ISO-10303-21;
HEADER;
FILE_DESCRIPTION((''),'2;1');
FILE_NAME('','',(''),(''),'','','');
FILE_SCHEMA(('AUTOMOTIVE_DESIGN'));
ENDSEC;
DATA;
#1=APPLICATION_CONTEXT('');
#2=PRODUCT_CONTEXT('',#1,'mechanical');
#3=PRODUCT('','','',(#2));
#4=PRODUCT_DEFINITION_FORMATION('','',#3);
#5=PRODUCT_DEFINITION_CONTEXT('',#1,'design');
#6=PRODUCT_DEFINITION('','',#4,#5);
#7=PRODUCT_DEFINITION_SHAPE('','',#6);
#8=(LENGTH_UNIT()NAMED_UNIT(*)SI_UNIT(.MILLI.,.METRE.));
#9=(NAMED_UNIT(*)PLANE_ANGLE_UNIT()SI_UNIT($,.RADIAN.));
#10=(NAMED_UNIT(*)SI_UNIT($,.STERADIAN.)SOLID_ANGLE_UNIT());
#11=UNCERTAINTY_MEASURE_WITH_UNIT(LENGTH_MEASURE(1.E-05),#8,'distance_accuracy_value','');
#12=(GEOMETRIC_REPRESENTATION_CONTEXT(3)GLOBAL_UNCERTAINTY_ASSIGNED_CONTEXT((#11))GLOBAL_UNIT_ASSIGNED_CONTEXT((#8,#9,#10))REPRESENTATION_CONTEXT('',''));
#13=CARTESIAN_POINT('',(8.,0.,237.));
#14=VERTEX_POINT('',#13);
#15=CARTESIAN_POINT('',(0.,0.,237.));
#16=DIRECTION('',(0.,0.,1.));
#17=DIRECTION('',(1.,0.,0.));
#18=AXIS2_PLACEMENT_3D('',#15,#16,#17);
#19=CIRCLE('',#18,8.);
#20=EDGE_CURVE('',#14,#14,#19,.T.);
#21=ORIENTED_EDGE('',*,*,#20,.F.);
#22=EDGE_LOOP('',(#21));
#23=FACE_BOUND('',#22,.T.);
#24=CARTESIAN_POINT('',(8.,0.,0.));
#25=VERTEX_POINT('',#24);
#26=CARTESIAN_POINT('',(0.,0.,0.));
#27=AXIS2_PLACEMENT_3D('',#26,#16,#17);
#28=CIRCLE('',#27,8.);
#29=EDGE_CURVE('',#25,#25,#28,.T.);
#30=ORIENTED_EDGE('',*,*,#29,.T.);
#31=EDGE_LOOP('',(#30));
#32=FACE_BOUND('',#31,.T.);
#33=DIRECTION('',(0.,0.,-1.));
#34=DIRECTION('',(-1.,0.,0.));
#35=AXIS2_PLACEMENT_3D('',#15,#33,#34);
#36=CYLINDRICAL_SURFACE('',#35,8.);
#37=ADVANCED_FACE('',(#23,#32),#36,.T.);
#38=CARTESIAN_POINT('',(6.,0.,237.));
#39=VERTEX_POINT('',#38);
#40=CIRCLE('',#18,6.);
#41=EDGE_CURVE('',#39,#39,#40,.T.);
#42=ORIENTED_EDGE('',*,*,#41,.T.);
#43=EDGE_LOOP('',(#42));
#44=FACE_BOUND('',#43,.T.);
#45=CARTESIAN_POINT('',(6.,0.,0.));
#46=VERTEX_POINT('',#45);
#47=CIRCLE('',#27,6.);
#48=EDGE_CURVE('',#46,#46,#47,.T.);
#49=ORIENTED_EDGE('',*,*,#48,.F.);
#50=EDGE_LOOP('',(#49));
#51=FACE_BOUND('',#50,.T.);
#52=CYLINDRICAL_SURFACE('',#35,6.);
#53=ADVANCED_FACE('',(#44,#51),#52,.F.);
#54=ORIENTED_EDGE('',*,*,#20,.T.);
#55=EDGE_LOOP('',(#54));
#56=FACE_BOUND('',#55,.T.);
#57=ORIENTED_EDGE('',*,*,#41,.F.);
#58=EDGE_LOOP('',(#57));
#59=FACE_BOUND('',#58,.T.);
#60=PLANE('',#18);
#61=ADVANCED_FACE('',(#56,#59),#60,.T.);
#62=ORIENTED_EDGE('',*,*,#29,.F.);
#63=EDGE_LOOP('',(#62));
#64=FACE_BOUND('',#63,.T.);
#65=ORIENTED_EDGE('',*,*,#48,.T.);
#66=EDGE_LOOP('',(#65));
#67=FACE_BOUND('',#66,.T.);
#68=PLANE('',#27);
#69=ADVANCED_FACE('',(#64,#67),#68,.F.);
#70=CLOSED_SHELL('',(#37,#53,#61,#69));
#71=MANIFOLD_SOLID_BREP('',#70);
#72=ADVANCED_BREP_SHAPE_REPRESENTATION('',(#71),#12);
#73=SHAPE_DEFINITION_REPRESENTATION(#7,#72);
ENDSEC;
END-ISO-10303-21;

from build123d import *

# Parameters (mm, degrees)
SKETCH_1_R      = 8
SKETCH_1_R_2    = 6
EXTRUDE_1_DEPTH = 237


with BuildPart() as part:
    # 草图1 → 凸台-拉伸1 (new body)
    with BuildSketch(Plane.XY):
        Circle(SKETCH_1_R)
        Circle(SKETCH_1_R_2, mode=Mode.SUBTRACT)
    extrude(amount=EXTRUDE_1_DEPTH)


solid = part.part
